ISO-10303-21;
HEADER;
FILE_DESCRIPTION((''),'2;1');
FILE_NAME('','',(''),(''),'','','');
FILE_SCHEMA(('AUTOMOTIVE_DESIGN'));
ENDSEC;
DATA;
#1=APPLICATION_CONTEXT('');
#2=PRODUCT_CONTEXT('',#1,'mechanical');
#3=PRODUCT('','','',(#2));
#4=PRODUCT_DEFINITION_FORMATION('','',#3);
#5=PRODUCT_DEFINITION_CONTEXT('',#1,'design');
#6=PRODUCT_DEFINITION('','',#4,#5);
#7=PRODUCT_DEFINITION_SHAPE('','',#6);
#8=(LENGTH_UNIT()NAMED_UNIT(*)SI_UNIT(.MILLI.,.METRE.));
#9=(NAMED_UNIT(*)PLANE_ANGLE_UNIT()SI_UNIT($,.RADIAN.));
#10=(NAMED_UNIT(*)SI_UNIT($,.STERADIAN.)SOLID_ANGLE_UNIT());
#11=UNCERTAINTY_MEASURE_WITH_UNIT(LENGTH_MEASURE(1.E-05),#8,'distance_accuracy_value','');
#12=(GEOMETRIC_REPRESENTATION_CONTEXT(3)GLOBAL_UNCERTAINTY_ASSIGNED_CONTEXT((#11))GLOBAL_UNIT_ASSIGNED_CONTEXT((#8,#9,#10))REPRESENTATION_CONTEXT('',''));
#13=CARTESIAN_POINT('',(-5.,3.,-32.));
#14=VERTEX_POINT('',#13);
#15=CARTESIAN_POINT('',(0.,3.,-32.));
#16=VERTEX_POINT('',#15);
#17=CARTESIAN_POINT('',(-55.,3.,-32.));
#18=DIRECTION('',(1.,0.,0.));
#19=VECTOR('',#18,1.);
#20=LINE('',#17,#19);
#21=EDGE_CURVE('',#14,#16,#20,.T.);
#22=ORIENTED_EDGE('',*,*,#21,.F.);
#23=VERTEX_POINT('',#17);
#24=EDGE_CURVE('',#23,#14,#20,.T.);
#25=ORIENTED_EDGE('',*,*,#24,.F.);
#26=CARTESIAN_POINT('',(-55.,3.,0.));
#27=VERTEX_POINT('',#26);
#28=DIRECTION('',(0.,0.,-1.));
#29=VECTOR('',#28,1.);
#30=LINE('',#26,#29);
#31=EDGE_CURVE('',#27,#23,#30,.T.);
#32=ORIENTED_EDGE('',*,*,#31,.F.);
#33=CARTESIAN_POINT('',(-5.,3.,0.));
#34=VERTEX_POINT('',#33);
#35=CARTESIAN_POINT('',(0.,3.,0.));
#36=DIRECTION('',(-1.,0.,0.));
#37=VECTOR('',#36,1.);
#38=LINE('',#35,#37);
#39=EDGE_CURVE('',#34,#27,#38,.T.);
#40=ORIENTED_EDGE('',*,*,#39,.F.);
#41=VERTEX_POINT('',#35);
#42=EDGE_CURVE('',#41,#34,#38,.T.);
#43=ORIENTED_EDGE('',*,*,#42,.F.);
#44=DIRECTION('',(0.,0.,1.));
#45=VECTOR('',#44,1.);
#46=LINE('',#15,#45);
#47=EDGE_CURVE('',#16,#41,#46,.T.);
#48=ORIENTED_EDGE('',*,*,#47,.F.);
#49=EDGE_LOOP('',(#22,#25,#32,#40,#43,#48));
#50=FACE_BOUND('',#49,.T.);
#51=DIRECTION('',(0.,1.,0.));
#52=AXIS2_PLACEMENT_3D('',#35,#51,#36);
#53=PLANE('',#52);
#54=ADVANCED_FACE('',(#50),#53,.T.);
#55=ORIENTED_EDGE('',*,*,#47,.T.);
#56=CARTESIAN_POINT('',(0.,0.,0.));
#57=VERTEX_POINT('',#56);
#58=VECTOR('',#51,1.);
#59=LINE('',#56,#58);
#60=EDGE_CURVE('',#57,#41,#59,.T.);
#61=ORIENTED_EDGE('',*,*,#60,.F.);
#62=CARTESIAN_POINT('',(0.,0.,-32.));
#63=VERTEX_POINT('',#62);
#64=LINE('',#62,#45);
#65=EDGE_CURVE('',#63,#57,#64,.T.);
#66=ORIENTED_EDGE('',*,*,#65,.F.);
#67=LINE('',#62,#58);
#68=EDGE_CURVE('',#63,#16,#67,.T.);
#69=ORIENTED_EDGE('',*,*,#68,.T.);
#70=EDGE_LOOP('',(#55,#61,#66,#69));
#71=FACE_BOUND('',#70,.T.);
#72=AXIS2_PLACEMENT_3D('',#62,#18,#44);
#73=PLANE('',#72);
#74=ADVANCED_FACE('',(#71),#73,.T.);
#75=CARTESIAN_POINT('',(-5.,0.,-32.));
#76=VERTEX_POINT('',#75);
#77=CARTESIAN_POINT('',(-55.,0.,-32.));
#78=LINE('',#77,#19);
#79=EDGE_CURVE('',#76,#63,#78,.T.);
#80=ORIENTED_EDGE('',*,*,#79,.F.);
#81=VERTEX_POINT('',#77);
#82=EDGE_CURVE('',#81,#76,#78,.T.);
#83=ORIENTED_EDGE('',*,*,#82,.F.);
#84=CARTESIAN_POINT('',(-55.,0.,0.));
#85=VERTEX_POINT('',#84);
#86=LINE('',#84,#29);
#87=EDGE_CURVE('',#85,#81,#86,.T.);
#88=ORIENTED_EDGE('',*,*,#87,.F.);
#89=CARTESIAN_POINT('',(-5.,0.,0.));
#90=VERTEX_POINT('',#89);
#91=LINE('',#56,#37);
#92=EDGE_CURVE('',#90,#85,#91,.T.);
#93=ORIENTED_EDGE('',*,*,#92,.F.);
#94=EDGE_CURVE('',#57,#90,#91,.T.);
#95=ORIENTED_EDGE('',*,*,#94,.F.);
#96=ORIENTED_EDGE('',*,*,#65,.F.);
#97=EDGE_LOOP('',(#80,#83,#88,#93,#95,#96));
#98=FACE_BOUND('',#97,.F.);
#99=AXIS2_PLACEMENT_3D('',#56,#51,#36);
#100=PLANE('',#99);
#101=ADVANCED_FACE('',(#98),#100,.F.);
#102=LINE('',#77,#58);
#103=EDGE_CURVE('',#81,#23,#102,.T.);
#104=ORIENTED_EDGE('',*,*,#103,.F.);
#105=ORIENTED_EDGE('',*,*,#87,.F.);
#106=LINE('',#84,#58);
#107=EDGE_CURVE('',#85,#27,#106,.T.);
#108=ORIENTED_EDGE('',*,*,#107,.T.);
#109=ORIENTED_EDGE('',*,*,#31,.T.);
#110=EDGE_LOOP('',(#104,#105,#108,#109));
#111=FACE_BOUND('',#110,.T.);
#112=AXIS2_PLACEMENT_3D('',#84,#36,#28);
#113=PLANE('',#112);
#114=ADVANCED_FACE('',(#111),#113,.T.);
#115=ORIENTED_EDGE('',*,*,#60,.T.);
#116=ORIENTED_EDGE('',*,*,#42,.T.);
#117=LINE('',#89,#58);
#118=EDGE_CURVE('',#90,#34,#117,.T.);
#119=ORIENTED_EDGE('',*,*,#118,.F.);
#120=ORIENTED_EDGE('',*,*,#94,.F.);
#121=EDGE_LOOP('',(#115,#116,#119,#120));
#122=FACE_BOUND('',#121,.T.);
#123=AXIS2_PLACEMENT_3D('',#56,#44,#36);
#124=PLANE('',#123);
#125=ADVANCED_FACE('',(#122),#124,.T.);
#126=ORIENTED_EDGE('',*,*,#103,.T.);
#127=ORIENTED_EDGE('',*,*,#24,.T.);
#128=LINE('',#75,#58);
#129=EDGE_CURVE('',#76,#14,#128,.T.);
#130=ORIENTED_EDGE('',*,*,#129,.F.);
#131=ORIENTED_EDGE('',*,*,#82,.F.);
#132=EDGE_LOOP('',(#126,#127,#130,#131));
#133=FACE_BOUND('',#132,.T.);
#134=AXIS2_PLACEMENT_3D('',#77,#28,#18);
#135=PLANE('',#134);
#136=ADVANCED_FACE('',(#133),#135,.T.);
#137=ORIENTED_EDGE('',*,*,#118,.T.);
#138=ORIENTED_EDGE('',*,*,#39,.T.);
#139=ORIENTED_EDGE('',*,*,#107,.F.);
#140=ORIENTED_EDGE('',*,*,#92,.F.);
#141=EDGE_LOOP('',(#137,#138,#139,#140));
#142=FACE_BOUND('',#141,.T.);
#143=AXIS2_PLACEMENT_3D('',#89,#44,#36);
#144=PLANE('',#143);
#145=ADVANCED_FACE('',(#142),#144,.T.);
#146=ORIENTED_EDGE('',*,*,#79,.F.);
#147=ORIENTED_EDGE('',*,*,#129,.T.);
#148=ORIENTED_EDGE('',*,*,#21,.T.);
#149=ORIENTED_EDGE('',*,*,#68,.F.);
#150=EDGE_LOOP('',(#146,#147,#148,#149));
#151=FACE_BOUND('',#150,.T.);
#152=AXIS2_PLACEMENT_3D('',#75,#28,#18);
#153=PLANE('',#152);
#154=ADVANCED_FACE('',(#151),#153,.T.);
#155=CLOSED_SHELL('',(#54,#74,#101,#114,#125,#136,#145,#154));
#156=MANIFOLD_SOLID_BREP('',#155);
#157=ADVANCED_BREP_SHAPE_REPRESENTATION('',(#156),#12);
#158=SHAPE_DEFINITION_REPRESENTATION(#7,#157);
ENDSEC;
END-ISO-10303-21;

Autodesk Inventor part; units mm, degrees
ref_plane "YZ Plane" through (0, 0, 0) normal (1, 0, 0) x (0, 1, 0)
ref_plane "XZ Plane" through (0, 0, 0) normal (0, 1, 0) x (-1, 0, 0)
ref_plane "XY Plane" through (0, 0, 0) normal (0, 0, 1) x (1, 0, 0)
sketch "Esquisse1" plane through (0, 0, 0) normal (0, 1, 0) x (-1, 0, 0)
  line L0 (0, 0) -> (55, 0)
  line L1 (55, 0) -> (55, -32)
  line L2 (55, -32) -> (0, -32)
  line L3 (0, -32) -> (0, 0)
  line L4 (55, -16) -> (0, -16) construction
  line L5 (0, -32) -> (5, -32)
  line L6 (55, 0) -> (0, 0)
  line L7 (0, 0) -> (0, -32)
  line L8 (0, 0) -> (5, 0)
  dimension "d0" = 32
  dimension "d6" = 55
extrude "Extrusion1" add sketch "Esquisse1" along normal blind 3
properties part number "cache"
